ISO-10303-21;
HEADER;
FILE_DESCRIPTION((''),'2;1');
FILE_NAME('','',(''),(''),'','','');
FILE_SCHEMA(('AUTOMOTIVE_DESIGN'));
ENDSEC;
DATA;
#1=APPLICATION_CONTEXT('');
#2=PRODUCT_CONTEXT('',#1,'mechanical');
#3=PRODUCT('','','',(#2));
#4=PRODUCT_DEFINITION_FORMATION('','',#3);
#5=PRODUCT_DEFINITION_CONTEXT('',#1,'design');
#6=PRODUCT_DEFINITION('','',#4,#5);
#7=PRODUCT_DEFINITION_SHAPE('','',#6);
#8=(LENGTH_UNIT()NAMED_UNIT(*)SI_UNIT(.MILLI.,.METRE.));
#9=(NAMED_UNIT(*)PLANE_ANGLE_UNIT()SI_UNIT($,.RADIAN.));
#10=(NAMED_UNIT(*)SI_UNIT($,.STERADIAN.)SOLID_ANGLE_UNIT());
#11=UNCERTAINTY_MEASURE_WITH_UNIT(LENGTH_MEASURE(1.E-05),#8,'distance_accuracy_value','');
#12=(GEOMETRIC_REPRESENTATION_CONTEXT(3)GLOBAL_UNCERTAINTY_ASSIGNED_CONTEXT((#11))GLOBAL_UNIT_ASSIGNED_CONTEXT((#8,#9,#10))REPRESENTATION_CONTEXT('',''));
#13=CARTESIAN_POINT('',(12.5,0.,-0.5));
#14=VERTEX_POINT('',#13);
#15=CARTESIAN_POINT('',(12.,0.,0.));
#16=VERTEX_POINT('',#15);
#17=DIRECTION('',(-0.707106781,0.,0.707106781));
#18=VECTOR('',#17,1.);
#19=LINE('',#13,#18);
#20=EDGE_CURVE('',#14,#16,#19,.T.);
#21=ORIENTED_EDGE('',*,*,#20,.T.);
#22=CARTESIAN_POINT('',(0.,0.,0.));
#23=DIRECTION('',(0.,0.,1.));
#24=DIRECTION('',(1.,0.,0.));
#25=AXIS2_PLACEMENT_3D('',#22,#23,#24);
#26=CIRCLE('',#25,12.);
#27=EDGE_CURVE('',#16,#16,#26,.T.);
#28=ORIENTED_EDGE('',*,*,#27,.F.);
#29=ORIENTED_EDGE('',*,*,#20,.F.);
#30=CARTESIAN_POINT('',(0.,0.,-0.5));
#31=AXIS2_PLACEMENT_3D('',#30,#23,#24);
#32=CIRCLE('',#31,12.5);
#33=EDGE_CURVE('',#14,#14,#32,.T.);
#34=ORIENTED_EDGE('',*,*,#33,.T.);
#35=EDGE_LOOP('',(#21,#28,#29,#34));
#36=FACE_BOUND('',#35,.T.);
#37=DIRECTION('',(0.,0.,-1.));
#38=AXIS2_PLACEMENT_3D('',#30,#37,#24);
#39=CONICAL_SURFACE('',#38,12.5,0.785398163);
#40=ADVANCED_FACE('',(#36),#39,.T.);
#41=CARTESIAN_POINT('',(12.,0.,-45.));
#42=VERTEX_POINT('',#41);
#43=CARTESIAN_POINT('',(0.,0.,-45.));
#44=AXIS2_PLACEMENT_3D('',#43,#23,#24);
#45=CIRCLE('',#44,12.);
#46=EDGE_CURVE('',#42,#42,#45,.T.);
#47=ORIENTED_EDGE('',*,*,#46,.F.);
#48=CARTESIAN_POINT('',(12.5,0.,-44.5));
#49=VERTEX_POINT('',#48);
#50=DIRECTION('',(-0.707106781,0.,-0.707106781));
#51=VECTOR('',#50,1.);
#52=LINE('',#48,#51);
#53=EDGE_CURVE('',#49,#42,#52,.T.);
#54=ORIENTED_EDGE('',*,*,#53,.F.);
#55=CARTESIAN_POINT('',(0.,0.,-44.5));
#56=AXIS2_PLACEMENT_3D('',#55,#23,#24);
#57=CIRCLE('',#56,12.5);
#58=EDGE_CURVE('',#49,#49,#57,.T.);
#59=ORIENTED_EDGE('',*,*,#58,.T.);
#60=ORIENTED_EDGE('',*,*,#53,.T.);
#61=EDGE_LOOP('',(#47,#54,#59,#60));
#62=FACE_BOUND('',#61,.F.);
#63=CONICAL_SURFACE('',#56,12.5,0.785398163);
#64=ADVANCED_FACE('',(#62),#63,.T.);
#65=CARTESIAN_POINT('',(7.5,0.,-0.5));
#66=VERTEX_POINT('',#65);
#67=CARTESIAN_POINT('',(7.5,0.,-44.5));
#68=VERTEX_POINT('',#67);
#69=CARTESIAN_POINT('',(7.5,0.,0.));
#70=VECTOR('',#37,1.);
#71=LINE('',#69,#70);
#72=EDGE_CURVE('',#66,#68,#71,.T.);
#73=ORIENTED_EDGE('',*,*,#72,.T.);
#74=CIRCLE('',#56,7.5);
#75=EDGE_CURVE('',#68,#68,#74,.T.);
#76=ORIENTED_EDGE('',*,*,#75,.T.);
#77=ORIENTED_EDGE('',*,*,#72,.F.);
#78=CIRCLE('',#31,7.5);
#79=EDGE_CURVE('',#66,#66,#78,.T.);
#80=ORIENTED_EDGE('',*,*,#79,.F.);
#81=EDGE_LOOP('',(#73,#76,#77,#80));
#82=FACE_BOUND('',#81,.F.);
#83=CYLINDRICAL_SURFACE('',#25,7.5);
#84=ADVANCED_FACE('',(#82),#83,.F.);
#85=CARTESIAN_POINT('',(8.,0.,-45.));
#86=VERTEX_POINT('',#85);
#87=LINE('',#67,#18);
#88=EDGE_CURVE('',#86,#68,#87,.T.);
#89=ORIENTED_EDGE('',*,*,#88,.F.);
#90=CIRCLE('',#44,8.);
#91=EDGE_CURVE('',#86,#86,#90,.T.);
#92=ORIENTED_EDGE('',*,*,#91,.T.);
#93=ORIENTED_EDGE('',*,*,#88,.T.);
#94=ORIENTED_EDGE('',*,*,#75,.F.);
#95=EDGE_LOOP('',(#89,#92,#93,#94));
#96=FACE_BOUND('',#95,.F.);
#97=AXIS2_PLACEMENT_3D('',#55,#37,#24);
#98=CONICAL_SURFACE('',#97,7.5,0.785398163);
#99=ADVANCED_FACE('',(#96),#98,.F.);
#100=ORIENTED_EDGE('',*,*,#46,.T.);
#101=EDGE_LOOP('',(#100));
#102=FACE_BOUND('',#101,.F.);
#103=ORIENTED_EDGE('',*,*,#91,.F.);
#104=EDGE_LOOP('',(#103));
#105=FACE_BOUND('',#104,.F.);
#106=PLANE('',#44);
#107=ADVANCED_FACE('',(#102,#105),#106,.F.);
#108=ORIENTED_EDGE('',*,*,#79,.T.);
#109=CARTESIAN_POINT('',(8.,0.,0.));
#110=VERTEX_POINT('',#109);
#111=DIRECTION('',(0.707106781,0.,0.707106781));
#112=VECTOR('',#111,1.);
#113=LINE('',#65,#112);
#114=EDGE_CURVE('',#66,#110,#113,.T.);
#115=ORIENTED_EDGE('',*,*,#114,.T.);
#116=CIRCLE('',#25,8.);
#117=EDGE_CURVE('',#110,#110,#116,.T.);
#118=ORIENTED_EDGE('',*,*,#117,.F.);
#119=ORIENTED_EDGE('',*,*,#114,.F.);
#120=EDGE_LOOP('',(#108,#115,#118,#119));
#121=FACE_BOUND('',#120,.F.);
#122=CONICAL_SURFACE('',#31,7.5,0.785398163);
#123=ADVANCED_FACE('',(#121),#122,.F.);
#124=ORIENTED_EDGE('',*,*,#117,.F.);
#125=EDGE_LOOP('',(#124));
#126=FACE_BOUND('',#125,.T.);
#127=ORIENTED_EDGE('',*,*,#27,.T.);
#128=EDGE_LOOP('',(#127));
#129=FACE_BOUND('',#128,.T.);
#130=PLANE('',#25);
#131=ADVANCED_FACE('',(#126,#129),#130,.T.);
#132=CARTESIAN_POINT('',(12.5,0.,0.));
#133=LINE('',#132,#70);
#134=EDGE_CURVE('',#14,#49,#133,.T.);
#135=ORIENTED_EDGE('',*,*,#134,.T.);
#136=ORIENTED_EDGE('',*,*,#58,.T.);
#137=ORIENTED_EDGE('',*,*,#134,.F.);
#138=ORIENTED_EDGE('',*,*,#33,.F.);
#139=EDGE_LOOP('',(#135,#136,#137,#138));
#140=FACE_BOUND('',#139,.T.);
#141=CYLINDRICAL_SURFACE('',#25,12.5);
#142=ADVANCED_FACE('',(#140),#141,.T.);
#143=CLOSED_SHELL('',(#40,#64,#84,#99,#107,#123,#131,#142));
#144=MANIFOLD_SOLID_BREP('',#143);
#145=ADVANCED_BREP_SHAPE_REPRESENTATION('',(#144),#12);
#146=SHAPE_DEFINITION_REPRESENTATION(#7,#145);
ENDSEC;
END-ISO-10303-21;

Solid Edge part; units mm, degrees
sketch "Sketch1" plane through (0, 0, 0) normal (0, 0, 1) x (1, 0, 0)
  circle A0 centre (0, 0) radius 12.5
  circle A1 centre (0, 0) radius 7.5
extrude "Extrusionsausprägung_28" add sketch "Sketch1" against normal blind 45
chamfer "Fase_17" distance 0.5 angle 45 2 edges at (-7.5, 0, 0) (-12.5, 0, 0)
chamfer "Fase_18" distance 0.5 angle 45 2 edges at (-7.5, 0, -45) (-12.5, 0, -45)
